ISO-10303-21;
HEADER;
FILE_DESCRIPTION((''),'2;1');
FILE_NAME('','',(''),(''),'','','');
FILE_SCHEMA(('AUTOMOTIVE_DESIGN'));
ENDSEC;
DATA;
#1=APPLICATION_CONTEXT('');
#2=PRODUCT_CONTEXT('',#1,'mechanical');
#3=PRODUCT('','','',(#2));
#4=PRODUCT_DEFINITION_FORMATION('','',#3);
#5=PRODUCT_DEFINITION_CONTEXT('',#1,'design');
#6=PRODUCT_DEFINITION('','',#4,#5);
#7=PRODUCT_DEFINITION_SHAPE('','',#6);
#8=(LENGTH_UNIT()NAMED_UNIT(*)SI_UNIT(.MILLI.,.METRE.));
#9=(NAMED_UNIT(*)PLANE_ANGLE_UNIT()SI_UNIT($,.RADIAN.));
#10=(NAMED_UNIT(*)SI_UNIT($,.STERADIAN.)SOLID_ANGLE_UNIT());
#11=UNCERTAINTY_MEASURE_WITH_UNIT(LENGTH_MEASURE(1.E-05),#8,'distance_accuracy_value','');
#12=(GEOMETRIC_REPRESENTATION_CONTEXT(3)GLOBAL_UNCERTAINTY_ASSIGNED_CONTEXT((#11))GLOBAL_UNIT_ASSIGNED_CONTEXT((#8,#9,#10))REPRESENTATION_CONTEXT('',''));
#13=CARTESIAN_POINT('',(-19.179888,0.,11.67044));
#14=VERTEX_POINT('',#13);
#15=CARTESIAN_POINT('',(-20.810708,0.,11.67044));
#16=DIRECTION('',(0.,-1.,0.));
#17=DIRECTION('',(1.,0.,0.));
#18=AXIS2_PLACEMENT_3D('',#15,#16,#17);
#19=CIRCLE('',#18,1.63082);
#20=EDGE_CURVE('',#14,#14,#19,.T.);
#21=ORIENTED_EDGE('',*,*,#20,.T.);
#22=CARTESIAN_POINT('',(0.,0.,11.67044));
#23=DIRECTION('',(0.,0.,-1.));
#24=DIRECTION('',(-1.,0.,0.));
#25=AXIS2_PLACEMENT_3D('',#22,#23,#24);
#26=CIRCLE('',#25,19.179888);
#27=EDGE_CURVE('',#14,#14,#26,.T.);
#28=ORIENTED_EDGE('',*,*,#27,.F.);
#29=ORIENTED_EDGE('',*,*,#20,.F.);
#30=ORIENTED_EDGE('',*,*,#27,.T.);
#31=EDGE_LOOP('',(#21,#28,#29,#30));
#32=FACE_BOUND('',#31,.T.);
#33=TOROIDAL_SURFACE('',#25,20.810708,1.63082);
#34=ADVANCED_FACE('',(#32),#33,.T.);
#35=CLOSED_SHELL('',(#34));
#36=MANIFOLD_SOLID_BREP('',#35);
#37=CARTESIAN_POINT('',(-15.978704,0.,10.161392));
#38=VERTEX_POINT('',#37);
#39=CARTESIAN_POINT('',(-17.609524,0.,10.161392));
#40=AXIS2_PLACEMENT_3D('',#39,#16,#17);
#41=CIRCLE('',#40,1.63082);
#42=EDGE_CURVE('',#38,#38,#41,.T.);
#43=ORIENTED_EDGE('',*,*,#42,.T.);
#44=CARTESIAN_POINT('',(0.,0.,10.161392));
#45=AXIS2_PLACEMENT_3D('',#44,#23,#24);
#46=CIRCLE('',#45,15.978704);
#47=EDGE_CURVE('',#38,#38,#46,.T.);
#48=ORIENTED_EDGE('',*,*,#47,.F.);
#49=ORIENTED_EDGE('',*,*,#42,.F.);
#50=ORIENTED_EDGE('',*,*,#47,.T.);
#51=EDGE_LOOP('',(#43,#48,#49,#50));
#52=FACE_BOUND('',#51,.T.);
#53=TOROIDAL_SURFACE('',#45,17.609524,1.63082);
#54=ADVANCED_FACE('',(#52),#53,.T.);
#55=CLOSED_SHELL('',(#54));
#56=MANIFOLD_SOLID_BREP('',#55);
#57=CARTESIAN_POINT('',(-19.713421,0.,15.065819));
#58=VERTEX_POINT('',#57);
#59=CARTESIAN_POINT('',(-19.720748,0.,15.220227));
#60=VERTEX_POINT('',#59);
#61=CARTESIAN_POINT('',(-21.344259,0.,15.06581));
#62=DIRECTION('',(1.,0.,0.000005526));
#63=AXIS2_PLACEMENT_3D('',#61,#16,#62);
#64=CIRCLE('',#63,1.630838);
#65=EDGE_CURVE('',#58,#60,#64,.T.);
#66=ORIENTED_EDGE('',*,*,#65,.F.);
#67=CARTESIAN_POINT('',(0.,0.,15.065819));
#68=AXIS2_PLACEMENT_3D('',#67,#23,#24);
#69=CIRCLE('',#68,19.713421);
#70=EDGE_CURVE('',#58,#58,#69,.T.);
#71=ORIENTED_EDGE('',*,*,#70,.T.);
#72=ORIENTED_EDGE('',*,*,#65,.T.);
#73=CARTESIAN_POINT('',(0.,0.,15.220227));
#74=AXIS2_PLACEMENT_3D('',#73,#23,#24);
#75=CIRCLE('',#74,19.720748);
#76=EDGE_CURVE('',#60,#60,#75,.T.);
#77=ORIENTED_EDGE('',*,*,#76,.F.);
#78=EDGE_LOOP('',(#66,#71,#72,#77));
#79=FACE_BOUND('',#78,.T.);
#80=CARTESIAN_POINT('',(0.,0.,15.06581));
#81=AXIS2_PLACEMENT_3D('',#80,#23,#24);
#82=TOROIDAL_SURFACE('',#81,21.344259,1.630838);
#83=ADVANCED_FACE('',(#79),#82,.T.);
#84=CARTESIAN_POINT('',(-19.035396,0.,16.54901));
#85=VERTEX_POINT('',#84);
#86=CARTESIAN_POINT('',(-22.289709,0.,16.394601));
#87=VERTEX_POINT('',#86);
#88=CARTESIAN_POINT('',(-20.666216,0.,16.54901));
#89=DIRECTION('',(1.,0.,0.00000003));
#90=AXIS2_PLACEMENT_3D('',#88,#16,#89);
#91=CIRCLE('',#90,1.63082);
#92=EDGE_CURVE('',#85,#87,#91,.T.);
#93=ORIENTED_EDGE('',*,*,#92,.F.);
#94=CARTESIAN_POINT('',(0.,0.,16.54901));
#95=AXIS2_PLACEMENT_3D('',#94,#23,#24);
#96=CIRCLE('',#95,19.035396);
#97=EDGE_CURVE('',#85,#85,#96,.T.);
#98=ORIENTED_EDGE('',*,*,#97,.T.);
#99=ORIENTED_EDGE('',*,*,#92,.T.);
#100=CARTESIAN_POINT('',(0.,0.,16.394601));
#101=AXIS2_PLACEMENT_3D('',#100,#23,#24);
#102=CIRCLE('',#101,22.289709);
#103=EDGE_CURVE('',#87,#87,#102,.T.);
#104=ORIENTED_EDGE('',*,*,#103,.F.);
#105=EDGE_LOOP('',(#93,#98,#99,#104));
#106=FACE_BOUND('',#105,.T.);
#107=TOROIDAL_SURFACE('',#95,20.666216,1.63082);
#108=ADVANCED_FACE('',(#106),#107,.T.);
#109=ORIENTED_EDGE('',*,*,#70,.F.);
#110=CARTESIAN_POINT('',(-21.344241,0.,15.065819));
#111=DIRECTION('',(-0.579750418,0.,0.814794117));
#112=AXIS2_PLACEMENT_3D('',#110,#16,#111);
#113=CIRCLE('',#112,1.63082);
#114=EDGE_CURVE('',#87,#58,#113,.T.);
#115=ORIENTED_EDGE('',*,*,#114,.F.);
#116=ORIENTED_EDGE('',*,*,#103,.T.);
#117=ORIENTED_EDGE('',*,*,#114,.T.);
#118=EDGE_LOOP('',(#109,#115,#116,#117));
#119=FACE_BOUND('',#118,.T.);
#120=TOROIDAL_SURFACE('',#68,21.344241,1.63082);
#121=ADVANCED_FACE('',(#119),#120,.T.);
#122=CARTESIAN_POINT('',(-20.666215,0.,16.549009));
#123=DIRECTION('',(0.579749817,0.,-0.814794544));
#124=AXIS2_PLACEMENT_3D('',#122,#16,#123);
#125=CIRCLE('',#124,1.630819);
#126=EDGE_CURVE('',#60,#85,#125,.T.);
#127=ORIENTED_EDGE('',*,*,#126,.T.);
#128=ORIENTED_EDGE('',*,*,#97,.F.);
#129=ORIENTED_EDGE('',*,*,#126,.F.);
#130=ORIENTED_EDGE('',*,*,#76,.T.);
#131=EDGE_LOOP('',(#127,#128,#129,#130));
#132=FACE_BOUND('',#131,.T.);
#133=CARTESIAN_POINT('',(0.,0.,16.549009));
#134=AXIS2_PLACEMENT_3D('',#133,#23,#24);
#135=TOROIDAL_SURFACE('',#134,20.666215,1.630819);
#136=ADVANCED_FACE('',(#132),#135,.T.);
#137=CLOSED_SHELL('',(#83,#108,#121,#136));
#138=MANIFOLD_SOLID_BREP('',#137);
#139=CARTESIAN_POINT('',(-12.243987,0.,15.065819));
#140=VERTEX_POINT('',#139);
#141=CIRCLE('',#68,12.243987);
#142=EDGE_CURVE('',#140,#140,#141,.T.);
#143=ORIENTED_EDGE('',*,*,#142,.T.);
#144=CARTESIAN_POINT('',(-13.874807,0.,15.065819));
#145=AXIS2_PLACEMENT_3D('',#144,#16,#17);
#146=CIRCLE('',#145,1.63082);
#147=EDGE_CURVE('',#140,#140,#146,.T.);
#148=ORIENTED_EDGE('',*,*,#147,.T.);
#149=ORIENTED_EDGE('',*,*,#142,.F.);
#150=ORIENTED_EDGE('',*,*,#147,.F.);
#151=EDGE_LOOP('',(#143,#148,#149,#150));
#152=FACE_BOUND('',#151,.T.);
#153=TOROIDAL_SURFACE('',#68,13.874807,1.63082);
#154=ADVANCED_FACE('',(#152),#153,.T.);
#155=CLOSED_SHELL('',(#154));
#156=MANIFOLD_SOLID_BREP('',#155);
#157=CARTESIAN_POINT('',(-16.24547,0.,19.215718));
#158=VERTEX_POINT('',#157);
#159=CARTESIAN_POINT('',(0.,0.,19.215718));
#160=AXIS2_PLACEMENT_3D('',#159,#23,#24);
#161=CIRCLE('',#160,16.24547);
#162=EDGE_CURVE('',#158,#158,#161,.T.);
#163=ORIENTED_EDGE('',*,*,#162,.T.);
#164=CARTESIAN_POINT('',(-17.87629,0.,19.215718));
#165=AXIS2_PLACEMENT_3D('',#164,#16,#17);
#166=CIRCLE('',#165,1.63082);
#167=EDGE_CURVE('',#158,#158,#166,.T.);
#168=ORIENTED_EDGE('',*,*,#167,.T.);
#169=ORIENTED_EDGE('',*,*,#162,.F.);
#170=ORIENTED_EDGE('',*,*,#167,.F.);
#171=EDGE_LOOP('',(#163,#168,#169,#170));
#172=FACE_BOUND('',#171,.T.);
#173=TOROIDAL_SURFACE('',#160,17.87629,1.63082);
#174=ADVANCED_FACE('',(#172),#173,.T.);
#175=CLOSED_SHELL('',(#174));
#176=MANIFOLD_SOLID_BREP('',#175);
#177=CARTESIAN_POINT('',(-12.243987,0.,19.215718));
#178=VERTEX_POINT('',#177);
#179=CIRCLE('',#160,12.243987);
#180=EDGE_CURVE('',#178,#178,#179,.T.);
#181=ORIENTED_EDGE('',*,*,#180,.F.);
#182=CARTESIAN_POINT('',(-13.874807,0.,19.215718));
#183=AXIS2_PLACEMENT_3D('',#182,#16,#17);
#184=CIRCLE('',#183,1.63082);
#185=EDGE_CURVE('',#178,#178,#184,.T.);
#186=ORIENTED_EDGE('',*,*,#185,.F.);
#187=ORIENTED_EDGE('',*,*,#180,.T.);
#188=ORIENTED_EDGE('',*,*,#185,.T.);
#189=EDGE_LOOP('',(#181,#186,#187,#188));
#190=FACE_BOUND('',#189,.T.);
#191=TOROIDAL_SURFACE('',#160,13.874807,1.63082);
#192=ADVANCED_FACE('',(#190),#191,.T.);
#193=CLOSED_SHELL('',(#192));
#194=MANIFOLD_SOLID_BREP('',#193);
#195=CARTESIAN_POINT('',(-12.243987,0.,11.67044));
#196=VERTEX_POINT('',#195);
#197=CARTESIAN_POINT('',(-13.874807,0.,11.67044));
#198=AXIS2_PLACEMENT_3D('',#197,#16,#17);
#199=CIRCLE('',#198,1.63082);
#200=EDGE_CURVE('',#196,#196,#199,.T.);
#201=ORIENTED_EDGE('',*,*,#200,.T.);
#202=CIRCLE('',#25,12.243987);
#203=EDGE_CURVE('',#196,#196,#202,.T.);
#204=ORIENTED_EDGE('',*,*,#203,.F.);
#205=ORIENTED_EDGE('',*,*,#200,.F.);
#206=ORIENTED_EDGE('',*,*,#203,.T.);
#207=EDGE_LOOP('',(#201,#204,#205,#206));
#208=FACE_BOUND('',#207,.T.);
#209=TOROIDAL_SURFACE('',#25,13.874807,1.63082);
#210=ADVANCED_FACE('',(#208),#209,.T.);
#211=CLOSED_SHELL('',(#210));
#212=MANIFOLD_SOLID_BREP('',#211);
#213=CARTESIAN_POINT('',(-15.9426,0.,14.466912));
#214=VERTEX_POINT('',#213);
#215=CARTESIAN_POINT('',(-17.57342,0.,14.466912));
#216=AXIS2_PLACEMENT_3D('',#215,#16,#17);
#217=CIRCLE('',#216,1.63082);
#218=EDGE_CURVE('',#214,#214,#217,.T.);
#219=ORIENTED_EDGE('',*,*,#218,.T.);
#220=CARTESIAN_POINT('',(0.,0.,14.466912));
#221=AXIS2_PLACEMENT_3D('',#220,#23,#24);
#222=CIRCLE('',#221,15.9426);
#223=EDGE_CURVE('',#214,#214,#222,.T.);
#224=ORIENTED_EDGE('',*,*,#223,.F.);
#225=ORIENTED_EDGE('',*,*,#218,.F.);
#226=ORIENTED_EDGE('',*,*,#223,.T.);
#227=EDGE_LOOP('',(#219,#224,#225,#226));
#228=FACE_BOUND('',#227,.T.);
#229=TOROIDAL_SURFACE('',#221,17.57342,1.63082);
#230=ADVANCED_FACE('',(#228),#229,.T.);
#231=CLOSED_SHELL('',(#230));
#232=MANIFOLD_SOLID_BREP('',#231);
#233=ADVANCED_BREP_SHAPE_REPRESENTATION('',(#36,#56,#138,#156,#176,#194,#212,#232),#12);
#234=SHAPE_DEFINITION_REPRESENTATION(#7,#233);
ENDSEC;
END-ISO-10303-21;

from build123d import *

# Parameters (mm, degrees)
F0_R = 1.63082


with BuildPart() as f1:
    # F0 (on Front) → F1 (revolve)
    with BuildSketch(Plane.XZ):
        with Locations((-17.609524, 10.161392)):
            Circle(F0_R)
        with BuildLine():
            ThreePointArc((-22.289709, 16.394601), (-21.344241, 15.065819), (-19.720748, 15.220227))
            ThreePointArc((-19.720748, 15.220227), (-20.666216, 16.54901), (-22.289709, 16.394601))
        make_face()
        with BuildLine():
            ThreePointArc((-22.289709, 16.394601), (-22.091798, 13.616429), (-19.713421, 15.065819))
            ThreePointArc((-19.713421, 15.065819), (-19.715254, 15.14311), (-19.720748, 15.220227))
            ThreePointArc((-19.720748, 15.220227), (-21.344241, 15.065819), (-22.289709, 16.394601))
        make_face()
        with BuildLine():
            ThreePointArc((-22.289709, 16.394601), (-20.666216, 16.54901), (-19.720748, 15.220227))
            ThreePointArc((-19.720748, 15.220227), (-19.216826, 15.801452), (-19.035396, 16.54901))
            ThreePointArc((-19.035396, 16.54901), (-20.743507, 18.177997), (-22.289709, 16.394601))
        make_face()
        with Locations((-17.87629, 19.215718)):
            Circle(F0_R)
        with Locations((-17.57342, 14.466912)):
            Circle(F0_R)
        with Locations((-13.874807, 19.215718)):
            Circle(F0_R)
        with Locations((-13.874807, 15.065819)):
            Circle(F0_R)
        with Locations((-13.874807, 11.67044)):
            Circle(F0_R)
        with Locations((-20.810708, 11.67044)):
            Circle(F0_R)
    revolve(axis=Axis((0, 0, 16.209964), (0, 0, -1)))


solid = f1.part
